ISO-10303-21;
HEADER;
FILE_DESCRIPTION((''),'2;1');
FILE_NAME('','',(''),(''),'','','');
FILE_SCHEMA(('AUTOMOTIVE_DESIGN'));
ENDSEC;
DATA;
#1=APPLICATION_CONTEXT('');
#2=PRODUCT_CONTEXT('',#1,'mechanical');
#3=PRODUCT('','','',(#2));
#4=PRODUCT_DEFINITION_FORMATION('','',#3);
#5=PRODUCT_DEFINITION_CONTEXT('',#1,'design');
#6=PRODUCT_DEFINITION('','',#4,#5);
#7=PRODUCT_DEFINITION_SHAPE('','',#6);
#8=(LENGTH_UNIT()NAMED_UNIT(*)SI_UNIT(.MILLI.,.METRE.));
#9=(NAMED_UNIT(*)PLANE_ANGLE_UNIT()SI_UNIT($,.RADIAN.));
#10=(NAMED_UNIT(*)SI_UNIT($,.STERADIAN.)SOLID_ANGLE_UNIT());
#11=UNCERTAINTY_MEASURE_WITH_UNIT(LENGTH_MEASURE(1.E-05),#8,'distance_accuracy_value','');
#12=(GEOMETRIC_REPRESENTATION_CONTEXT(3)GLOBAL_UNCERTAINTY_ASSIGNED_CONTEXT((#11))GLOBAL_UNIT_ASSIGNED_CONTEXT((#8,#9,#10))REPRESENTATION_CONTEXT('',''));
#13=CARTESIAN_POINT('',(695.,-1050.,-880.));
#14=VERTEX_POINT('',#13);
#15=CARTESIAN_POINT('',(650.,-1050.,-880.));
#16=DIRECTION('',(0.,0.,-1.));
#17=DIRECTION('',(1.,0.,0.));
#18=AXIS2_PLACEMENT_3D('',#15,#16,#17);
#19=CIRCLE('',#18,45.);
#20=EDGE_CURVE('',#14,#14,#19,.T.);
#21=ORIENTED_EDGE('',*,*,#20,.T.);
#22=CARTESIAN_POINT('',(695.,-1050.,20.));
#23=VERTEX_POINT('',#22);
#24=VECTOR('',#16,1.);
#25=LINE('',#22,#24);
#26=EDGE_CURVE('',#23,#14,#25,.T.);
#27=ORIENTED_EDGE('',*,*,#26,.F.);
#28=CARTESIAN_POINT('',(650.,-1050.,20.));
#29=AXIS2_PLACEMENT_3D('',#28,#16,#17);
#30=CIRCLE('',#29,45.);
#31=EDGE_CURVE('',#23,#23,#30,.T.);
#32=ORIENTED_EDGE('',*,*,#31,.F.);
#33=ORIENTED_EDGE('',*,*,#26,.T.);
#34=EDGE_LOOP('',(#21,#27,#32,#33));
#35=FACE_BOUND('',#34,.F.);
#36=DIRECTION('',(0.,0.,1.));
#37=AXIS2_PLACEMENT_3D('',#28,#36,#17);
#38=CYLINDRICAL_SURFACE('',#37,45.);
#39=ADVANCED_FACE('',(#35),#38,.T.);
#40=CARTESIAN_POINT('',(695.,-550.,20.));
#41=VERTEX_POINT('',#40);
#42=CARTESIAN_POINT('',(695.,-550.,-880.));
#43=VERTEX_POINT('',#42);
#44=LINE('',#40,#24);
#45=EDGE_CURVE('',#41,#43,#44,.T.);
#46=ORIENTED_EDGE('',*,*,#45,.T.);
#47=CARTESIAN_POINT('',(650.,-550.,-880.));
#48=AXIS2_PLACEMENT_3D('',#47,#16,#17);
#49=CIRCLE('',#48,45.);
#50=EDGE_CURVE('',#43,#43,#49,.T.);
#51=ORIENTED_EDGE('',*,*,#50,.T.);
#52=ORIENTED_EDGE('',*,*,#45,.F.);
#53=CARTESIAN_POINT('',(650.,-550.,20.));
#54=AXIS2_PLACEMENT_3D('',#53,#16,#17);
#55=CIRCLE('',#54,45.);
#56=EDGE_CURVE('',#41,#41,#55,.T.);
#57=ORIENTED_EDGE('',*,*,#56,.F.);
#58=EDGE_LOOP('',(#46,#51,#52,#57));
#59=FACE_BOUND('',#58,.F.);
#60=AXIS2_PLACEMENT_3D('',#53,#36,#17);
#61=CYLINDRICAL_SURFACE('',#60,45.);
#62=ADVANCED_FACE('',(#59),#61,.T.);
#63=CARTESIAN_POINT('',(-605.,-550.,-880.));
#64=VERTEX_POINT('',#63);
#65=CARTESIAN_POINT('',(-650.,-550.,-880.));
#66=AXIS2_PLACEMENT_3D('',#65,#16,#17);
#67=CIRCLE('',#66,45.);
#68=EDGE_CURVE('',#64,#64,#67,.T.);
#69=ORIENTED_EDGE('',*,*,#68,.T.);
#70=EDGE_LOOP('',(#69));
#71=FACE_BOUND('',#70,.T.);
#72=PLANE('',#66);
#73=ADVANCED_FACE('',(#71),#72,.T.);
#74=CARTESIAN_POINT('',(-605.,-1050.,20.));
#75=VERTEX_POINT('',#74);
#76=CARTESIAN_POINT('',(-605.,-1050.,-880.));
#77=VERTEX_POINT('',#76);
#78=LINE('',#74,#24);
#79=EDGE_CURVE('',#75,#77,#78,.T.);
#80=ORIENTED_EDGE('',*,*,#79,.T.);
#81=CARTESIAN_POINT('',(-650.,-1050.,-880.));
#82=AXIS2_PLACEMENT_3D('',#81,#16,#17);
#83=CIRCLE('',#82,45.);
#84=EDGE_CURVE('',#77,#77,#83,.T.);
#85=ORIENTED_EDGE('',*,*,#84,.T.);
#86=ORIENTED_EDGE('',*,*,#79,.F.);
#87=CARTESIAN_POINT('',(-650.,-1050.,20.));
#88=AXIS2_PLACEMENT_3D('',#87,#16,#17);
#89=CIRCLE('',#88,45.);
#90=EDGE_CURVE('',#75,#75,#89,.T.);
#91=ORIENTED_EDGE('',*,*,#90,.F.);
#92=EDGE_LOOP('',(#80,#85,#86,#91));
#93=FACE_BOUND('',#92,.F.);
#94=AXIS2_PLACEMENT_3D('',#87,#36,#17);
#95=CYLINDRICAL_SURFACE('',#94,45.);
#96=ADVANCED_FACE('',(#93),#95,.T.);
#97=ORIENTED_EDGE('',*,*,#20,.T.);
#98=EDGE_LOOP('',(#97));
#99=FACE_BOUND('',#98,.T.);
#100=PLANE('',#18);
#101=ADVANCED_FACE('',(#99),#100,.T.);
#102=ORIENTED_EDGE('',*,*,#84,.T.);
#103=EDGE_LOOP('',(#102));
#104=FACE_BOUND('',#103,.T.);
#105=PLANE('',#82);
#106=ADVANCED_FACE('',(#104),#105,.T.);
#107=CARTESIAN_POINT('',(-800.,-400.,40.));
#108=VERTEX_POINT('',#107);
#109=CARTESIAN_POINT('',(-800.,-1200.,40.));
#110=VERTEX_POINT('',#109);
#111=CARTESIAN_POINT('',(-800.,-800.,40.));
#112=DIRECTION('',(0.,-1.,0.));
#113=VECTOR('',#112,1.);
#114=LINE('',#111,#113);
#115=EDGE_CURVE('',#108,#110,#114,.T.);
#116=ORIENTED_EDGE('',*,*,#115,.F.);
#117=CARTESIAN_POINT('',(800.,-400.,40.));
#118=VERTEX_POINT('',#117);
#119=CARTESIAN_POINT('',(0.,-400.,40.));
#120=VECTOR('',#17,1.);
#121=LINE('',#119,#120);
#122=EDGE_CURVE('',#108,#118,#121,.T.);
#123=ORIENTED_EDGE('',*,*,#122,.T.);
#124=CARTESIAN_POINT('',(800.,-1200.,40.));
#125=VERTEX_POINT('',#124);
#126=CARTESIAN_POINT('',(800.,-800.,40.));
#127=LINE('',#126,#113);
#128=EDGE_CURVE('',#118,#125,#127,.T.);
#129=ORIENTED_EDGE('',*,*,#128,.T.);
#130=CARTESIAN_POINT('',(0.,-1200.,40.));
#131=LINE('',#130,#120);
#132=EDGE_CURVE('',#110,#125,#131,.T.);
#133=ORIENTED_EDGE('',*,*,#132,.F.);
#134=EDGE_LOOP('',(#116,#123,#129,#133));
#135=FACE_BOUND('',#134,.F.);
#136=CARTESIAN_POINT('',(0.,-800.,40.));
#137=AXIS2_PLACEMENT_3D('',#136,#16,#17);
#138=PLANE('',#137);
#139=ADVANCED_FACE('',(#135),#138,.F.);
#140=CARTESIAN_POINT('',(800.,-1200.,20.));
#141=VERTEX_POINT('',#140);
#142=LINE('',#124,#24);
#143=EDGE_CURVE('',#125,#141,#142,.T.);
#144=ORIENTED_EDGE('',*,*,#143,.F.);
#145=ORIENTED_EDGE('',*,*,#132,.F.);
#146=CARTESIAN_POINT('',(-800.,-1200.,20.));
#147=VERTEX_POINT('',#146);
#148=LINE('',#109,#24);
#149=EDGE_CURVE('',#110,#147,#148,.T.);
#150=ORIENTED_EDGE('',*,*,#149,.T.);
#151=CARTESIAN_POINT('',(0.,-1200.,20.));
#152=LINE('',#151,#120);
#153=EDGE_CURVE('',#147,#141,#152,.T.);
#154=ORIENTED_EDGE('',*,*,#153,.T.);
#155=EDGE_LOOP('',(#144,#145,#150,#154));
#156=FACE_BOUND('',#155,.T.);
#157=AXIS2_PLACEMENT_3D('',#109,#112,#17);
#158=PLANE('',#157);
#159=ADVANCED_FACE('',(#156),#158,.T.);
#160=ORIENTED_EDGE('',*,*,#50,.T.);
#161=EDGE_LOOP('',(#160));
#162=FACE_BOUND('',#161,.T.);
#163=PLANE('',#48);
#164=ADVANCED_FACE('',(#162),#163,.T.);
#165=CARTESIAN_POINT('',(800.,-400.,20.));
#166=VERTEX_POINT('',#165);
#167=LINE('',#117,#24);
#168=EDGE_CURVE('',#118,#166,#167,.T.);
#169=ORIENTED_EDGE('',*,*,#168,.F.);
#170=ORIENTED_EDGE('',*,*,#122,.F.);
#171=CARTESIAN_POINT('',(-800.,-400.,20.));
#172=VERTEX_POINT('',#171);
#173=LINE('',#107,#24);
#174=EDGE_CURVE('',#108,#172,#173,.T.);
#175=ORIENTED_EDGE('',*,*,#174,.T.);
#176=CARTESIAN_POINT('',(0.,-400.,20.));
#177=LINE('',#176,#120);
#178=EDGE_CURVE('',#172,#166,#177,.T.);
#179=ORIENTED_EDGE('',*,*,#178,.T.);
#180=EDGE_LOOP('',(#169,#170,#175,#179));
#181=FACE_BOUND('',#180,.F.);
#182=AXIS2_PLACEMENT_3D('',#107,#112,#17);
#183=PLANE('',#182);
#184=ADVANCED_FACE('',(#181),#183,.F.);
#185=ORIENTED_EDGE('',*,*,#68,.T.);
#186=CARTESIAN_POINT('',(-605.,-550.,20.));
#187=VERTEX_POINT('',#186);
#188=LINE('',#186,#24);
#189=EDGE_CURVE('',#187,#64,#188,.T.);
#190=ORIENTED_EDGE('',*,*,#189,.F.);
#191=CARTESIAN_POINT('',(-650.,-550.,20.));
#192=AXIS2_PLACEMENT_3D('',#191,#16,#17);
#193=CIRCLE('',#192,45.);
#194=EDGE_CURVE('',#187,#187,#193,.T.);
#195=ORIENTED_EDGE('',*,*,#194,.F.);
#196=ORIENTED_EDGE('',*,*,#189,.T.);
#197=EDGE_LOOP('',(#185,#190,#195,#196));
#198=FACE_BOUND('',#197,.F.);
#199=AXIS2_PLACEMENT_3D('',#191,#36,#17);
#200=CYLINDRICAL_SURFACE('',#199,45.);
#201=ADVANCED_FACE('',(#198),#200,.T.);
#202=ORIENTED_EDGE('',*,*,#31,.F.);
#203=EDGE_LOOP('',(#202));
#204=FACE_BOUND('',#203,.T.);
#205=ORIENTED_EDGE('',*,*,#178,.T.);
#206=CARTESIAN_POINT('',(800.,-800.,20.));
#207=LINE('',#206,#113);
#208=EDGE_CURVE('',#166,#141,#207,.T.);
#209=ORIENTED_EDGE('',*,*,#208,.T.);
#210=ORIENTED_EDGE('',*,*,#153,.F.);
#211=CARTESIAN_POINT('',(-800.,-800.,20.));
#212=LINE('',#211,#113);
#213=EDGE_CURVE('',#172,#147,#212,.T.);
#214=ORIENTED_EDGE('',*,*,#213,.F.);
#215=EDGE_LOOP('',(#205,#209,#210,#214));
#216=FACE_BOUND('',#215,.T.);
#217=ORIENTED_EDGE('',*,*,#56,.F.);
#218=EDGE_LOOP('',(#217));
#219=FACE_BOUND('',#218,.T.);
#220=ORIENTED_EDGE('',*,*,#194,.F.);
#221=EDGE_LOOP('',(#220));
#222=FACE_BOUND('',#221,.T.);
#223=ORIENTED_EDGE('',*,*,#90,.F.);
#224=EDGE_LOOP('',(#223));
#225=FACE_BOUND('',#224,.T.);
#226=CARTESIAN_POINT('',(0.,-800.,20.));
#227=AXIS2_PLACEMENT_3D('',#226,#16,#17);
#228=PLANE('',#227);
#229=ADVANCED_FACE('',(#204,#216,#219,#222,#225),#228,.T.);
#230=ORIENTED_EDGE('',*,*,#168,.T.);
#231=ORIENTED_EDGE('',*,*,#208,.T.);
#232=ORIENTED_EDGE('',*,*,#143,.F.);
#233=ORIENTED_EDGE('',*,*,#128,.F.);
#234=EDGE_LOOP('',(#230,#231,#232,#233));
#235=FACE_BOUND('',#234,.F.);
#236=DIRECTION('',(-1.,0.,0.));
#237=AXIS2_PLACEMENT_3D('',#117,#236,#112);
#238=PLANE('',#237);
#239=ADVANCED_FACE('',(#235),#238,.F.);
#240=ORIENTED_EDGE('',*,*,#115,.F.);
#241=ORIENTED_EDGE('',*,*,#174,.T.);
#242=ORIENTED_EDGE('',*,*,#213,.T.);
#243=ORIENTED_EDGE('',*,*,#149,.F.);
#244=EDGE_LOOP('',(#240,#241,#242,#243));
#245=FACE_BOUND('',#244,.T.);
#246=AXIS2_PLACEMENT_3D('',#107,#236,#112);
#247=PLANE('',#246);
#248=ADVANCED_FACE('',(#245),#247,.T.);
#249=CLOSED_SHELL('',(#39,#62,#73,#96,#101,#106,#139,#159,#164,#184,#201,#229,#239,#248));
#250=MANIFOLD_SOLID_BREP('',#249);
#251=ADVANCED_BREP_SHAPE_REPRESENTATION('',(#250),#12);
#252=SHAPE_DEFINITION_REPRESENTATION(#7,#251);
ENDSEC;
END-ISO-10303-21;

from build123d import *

# Parameters (mm, degrees)
F0_W     = 1600
F0_H     = 800
F1_DEPTH = 20
F2_R     = 45
F3_DEPTH = 900
F4_ANGLE = 180


with BuildPart() as f1:
    # F0 (on Top) → F1 (new body)
    with BuildSketch(Plane.XY):
        Rectangle(F0_W, F0_H)
    extrude(amount=F1_DEPTH)

    # F2 (on face) → F3 (join)
    with BuildSketch(Plane.XY.offset(20)):
        with Locations((-650, 250)):
            Circle(F2_R)
        with Locations((650, 250)):
            Circle(F2_R)
        with Locations((-650, -250)):
            Circle(F2_R)
        with Locations((650, -250)):
            Circle(F2_R)
    extrude(amount=F3_DEPTH)


with BuildPart() as f1_1:
    # F4: moved
    add(f1.part.rotate(Axis((0, -400, 20), (1, 0, 0)), F4_ANGLE))


solid = f1_1.part
